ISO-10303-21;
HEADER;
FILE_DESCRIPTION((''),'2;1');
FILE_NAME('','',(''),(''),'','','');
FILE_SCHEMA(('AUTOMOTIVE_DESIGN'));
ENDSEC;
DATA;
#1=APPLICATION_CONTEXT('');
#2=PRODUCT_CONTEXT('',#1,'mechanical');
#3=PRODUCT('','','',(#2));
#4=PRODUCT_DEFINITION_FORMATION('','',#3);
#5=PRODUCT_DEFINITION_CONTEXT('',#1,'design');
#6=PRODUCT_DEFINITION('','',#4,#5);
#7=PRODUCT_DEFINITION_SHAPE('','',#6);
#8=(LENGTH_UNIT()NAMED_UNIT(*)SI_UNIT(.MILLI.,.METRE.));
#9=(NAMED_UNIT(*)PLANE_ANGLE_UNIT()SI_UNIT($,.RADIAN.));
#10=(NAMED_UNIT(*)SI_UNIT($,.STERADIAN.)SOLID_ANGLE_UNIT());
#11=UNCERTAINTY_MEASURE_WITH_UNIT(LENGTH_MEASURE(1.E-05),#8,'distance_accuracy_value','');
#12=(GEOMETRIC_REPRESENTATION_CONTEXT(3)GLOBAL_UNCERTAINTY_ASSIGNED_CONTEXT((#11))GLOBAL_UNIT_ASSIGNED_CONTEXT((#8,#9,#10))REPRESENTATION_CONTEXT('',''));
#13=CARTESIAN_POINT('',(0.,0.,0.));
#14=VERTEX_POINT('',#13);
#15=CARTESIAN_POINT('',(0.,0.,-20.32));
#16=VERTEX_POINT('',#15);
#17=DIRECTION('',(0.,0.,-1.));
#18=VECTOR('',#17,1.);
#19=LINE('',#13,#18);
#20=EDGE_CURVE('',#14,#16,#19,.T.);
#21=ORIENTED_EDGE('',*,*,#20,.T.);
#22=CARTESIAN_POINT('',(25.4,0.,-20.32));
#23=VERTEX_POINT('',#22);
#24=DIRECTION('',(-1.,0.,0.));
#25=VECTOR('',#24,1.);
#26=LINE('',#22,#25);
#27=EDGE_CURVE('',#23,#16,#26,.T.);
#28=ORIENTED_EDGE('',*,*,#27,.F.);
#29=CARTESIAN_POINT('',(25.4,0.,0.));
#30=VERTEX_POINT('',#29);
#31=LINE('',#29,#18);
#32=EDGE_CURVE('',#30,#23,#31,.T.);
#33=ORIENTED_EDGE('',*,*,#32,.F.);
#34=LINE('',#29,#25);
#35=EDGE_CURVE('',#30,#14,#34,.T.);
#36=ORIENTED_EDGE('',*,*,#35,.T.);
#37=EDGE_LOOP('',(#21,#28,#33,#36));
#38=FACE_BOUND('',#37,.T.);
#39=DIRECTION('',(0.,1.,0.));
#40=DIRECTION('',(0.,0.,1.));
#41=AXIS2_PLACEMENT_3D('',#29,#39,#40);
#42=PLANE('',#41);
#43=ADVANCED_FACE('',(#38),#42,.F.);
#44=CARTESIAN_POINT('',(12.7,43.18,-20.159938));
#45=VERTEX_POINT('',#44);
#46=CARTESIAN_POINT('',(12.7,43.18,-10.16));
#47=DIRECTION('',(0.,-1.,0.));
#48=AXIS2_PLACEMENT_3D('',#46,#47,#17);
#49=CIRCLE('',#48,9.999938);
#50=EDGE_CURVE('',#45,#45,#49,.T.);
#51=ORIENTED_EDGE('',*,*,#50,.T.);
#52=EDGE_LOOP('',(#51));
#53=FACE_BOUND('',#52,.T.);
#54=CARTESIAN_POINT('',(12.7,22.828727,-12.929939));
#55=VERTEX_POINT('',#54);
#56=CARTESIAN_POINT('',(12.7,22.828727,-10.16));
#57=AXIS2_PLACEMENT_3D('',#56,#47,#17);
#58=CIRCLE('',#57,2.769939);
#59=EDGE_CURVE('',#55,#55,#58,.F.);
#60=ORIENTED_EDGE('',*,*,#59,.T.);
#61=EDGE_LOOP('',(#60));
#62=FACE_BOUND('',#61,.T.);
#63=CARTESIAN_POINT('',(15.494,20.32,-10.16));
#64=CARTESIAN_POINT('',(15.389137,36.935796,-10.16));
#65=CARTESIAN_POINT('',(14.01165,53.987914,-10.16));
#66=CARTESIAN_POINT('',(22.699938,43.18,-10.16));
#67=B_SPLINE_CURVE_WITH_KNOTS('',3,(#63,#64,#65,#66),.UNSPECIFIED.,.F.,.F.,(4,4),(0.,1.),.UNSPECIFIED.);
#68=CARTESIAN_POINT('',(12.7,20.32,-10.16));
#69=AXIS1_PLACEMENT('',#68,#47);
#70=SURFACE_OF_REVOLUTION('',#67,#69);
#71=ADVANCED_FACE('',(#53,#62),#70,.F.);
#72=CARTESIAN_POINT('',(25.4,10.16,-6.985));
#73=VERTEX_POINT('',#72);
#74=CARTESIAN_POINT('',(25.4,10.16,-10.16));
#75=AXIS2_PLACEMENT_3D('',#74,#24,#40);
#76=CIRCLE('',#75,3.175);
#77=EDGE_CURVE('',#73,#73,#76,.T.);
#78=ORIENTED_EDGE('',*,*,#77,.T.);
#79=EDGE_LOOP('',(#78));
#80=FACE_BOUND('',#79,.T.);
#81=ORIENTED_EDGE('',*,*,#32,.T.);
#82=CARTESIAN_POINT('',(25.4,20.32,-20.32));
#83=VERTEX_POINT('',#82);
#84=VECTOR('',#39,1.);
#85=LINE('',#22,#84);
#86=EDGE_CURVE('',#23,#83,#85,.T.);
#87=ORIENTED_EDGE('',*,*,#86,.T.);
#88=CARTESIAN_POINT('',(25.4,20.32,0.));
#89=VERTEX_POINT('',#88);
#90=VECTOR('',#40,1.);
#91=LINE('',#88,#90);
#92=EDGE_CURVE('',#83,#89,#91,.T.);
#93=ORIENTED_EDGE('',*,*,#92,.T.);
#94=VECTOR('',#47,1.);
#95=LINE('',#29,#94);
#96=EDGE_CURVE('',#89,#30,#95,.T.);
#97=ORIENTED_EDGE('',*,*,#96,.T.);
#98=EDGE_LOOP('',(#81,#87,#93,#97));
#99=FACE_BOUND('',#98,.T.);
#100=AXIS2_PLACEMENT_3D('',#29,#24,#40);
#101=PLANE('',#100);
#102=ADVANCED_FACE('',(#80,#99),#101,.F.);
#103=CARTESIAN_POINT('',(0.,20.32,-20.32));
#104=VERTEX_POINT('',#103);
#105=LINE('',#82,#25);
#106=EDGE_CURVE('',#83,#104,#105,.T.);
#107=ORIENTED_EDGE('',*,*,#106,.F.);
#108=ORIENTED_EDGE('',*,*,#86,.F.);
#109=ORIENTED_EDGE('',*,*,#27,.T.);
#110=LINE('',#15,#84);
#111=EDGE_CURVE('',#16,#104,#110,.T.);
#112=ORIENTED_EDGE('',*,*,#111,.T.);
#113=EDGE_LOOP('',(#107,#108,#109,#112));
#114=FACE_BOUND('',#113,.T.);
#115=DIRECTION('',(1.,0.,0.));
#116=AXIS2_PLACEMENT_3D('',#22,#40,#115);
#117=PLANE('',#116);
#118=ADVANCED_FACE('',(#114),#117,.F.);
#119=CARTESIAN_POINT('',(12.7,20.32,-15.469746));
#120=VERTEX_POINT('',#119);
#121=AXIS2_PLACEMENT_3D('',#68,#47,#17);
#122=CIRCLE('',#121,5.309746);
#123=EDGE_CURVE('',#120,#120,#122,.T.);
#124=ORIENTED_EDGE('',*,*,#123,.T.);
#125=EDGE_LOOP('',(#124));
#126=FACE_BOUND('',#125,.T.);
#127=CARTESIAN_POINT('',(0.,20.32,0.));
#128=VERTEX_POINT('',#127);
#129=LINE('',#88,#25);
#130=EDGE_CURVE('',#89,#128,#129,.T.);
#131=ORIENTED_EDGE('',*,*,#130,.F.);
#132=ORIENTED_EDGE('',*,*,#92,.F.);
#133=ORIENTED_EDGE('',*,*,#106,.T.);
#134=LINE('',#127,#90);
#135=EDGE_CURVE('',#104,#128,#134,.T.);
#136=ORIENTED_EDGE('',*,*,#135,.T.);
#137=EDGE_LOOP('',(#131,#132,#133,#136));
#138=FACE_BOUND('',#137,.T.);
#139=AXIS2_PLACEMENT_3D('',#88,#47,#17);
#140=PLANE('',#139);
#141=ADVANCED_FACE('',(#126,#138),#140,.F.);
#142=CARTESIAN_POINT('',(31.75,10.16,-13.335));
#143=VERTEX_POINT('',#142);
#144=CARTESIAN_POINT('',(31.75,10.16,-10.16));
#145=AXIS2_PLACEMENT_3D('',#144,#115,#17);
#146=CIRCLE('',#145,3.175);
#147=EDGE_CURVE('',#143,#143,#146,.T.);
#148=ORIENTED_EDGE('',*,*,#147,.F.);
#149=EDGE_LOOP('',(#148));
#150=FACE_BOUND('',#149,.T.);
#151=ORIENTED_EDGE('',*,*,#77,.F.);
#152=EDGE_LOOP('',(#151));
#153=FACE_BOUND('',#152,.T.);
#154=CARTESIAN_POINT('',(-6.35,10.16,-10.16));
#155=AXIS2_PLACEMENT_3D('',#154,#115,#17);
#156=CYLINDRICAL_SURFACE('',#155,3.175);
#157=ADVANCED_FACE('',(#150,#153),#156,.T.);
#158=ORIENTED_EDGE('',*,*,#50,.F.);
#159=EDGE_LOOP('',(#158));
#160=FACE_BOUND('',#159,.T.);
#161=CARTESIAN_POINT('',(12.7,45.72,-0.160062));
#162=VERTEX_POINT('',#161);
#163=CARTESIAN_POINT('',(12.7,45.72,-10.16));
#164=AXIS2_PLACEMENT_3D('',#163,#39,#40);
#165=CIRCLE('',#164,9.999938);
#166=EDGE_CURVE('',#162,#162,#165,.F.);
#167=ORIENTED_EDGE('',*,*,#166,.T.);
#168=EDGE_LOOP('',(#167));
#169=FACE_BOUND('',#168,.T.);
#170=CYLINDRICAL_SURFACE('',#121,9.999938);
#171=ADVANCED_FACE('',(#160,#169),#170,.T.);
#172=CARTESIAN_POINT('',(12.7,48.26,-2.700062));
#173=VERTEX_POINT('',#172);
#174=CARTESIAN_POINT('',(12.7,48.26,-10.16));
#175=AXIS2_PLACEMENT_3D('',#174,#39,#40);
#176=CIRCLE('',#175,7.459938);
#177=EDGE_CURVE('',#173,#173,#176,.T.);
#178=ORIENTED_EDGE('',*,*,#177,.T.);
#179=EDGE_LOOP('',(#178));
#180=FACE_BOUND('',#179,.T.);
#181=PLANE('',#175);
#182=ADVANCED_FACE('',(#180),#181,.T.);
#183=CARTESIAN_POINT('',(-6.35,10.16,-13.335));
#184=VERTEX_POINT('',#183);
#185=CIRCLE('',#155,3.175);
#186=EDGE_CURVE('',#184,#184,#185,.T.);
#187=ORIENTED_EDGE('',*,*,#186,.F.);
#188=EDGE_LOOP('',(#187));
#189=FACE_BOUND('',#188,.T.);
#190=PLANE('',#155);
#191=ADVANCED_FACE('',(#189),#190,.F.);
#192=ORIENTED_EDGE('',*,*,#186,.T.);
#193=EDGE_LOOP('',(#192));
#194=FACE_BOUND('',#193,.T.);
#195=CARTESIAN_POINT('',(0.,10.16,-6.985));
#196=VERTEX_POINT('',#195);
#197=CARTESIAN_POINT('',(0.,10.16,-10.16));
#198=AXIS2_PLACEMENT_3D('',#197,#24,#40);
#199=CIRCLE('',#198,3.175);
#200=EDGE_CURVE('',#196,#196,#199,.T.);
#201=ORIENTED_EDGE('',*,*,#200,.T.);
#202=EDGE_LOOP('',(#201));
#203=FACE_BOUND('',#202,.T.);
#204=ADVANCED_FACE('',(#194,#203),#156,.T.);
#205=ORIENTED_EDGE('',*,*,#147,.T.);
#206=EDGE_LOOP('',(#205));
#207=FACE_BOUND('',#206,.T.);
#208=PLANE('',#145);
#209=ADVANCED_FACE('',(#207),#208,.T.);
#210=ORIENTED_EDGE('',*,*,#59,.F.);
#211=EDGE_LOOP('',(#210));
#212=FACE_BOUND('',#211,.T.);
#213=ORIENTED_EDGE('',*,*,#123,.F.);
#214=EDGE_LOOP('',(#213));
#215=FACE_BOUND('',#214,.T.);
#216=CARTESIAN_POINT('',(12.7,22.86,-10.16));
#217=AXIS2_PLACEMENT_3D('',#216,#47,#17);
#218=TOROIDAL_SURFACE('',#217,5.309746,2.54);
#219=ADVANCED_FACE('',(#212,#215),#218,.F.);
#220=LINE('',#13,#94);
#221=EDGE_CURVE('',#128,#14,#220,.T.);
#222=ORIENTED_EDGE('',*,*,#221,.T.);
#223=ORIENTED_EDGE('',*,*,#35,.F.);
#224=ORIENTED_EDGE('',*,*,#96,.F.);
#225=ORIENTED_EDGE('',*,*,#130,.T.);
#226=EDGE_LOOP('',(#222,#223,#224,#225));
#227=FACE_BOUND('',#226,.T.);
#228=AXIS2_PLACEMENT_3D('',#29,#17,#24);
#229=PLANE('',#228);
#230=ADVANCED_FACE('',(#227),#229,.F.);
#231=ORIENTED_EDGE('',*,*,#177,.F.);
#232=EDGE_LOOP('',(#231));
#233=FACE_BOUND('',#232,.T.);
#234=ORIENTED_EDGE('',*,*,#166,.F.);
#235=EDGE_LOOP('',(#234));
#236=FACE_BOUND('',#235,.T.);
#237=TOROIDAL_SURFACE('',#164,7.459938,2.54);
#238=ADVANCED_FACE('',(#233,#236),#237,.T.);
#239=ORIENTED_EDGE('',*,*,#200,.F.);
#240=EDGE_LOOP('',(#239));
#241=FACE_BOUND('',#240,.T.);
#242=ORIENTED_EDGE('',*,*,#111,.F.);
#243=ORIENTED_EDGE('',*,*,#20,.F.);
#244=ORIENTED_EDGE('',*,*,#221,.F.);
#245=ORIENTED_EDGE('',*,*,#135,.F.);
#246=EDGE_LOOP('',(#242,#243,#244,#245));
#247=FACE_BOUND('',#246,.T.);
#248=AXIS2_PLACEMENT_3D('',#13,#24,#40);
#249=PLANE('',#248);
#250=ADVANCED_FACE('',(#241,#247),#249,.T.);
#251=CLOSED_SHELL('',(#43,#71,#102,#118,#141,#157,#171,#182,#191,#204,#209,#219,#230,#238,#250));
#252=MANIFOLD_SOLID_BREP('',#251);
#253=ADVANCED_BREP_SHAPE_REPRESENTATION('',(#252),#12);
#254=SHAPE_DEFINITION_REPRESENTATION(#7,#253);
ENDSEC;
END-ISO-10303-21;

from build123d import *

# Parameters (mm, degrees)
SKETCH2_W          = 20.32
SKETCH2_H          = 20.32
CENTRAL_BOX_DEPTH  = 25.4
NIBBLES_DEPTH      = 6.35
NIBBLES_DEPTH_BACK = 31.75
SKETCH4_R          = 3.175
YAY_ROUNDED_R      = 2.54


with BuildPart() as part:
    # Sketch2 → central box (new body)
    with BuildSketch(Plane(origin=(0, 0, 0), x_dir=(0, 0, -1), z_dir=(1, 0, 0))):
        with Locations((10.16, 10.16)):
            Rectangle(SKETCH2_W, SKETCH2_H)
    extrude(amount=CENTRAL_BOX_DEPTH)

    # Sketch4 → nibbles (add, two sides: drawn at the far end of the back side and taken through both)
    with BuildSketch(Plane(origin=(25.4, 0, 0), x_dir=(0, 0, -1), z_dir=(1, 0, 0)).offset(-NIBBLES_DEPTH_BACK)):
        with Locations((10.16, 10.16)):
            Circle(SKETCH4_R)
    extrude(amount=NIBBLES_DEPTH + NIBBLES_DEPTH_BACK)

    # Sketch6 → stick (revolve)
    with BuildSketch(Plane.XY.offset(-10.16), mode=Mode.PRIVATE) as stick_sk:
        with BuildLine():
            Line((12.7, 20.32), (12.7, 48.26))
            Line((12.7, 48.26), (22.69993783, 48.26))
            Line((22.69993783, 48.26), (22.69993783, 43.18))
            add(Edge.make_bspline(
                [(22.69993783, 43.18), (14.011650276, 53.987913913), (15.389137078, 36.935795993), (15.494, 20.32)],
                knots=[0, 0, 0, 0, 1, 1, 1, 1], degree=3))
            Line((15.494, 20.32), (12.7, 20.32))
        make_face()
    revolve(stick_sk.sketch.rotate(Axis((12.7, 20.32, -10.16), (0, 1, 0)), 90), axis=Axis((12.7, 20.32, -10.16), (0, 1, 0)))

    # yay, rounded
    yay_rounded_edges = [part.edges().sort_by_distance(p)[0] for p in [
        (12.7, 20.32, -7.366),
        (12.7, 48.26, -0.16006217),
    ]]
    fillet(yay_rounded_edges, radius=YAY_ROUNDED_R)


solid = part.part
